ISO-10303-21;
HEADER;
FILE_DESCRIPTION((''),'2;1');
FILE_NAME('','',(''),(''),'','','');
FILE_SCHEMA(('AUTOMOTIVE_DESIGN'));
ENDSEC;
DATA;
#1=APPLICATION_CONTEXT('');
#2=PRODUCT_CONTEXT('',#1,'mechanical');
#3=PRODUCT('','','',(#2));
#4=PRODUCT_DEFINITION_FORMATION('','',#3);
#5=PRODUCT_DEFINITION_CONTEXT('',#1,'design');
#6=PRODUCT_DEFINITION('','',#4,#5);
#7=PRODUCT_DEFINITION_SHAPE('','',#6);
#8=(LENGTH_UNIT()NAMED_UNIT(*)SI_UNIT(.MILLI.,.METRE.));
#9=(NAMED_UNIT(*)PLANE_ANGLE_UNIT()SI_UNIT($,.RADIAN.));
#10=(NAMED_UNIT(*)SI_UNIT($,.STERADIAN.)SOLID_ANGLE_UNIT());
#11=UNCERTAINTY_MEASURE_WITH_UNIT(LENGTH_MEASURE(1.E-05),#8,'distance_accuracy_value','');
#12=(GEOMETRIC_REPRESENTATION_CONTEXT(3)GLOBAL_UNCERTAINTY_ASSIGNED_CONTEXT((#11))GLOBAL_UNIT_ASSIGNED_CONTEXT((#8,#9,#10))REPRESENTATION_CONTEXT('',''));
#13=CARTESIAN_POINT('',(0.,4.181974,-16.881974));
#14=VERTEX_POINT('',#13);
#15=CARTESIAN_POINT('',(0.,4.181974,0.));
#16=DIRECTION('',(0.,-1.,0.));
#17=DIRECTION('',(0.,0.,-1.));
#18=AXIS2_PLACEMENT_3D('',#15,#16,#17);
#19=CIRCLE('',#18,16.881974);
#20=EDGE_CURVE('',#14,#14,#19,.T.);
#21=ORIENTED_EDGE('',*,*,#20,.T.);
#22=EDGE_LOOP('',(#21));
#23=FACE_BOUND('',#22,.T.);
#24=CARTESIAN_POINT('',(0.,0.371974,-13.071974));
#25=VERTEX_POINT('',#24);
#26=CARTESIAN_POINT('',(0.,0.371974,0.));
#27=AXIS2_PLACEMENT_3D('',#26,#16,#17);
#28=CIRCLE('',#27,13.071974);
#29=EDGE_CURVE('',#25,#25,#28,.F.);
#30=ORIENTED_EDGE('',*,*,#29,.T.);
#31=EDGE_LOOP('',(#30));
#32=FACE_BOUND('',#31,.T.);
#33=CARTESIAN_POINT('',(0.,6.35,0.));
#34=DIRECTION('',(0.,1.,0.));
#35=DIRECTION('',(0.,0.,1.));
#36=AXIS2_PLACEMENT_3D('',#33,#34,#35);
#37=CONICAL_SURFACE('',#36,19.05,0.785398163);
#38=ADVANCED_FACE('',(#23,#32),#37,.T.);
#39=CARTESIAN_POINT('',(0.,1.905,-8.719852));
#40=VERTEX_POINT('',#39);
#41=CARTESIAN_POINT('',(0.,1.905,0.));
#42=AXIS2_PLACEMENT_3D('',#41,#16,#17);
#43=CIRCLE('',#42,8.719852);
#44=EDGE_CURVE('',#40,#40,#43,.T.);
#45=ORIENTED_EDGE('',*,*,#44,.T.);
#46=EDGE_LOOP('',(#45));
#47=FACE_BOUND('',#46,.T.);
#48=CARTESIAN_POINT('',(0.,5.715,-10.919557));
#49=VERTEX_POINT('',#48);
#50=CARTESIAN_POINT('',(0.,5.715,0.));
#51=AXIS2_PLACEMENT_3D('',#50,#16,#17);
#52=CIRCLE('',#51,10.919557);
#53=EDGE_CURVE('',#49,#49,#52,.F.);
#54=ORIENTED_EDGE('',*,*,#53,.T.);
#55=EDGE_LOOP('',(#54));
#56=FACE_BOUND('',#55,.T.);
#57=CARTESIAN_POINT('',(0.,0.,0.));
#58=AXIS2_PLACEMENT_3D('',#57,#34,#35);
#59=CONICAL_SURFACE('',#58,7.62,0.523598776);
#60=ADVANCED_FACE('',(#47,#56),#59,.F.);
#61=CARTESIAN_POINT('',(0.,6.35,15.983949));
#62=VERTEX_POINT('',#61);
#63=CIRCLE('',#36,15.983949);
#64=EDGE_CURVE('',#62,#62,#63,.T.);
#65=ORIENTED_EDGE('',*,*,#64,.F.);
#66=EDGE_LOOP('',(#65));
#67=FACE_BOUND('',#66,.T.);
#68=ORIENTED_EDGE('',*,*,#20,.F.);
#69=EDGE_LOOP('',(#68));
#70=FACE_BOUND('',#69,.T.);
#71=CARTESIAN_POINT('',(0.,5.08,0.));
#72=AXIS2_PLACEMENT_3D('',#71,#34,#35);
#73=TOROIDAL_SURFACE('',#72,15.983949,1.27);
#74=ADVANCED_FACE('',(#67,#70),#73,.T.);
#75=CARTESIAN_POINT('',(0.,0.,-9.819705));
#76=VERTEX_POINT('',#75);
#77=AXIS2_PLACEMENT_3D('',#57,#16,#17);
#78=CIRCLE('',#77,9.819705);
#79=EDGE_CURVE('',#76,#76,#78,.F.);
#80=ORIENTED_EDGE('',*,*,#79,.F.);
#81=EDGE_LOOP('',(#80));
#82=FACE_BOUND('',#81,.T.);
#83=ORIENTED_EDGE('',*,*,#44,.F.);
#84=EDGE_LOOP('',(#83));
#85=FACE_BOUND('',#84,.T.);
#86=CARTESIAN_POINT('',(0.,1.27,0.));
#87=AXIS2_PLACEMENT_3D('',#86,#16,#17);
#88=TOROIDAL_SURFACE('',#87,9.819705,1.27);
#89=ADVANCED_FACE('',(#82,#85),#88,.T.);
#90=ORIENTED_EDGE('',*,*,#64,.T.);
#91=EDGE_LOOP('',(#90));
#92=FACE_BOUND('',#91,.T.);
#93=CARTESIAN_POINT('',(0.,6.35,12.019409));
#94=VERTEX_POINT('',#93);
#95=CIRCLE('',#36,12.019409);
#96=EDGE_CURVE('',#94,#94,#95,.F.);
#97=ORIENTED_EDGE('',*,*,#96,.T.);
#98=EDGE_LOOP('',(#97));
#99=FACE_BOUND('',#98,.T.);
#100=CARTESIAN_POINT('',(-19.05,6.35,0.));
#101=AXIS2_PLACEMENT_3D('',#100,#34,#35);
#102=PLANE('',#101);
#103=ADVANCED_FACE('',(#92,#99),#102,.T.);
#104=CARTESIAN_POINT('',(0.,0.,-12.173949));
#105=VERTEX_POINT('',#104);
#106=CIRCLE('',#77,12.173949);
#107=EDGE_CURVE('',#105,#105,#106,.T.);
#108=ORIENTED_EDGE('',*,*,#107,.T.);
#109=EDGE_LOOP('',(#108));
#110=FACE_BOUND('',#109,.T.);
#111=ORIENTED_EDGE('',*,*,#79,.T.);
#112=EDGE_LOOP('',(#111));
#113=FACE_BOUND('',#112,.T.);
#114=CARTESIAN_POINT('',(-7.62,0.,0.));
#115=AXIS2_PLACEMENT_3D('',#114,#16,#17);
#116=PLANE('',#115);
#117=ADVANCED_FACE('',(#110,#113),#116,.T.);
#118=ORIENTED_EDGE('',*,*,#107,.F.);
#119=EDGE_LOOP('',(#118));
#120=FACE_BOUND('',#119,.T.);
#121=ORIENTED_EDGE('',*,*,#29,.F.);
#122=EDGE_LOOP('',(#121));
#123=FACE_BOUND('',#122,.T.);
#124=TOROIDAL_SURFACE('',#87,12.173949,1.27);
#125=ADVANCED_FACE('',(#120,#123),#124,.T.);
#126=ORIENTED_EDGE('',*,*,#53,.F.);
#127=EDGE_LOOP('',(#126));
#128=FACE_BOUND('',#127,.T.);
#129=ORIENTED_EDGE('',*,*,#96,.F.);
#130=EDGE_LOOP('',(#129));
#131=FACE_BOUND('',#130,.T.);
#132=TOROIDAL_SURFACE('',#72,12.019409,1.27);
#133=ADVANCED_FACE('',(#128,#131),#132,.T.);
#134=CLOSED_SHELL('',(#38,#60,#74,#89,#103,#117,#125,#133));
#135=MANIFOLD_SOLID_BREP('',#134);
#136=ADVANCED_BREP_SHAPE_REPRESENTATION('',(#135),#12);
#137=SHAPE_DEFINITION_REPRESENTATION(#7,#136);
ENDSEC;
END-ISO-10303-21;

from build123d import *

# Parameters (mm, degrees)
FILLET1_R = 1.27


with BuildPart() as part:
    # Sketch1 → Revolve1 (revolve)
    with BuildSketch(Plane.XY, mode=Mode.PRIVATE) as revolve1_sk:
        Polygon((-12.7, 0), (-19.05, 6.35), (-11.286174209, 6.35), (-7.62, 0), align=None)
    revolve(revolve1_sk.sketch.rotate(Axis((0, 6.6675, 0), (0, -1, 0)), 270), axis=Axis((0, 6.6675, 0), (0, -1, 0)))

    # Fillet1
    fillet1_edges = [part.edges().sort_by_distance(p)[0] for p in [
        (0, 0, -12.7),
        (0, 6.35, -19.05),
        (0, 6.35, -11.286174209),
        (0, 0, -7.62),
    ]]
    fillet(fillet1_edges, radius=FILLET1_R)


solid = part.part
